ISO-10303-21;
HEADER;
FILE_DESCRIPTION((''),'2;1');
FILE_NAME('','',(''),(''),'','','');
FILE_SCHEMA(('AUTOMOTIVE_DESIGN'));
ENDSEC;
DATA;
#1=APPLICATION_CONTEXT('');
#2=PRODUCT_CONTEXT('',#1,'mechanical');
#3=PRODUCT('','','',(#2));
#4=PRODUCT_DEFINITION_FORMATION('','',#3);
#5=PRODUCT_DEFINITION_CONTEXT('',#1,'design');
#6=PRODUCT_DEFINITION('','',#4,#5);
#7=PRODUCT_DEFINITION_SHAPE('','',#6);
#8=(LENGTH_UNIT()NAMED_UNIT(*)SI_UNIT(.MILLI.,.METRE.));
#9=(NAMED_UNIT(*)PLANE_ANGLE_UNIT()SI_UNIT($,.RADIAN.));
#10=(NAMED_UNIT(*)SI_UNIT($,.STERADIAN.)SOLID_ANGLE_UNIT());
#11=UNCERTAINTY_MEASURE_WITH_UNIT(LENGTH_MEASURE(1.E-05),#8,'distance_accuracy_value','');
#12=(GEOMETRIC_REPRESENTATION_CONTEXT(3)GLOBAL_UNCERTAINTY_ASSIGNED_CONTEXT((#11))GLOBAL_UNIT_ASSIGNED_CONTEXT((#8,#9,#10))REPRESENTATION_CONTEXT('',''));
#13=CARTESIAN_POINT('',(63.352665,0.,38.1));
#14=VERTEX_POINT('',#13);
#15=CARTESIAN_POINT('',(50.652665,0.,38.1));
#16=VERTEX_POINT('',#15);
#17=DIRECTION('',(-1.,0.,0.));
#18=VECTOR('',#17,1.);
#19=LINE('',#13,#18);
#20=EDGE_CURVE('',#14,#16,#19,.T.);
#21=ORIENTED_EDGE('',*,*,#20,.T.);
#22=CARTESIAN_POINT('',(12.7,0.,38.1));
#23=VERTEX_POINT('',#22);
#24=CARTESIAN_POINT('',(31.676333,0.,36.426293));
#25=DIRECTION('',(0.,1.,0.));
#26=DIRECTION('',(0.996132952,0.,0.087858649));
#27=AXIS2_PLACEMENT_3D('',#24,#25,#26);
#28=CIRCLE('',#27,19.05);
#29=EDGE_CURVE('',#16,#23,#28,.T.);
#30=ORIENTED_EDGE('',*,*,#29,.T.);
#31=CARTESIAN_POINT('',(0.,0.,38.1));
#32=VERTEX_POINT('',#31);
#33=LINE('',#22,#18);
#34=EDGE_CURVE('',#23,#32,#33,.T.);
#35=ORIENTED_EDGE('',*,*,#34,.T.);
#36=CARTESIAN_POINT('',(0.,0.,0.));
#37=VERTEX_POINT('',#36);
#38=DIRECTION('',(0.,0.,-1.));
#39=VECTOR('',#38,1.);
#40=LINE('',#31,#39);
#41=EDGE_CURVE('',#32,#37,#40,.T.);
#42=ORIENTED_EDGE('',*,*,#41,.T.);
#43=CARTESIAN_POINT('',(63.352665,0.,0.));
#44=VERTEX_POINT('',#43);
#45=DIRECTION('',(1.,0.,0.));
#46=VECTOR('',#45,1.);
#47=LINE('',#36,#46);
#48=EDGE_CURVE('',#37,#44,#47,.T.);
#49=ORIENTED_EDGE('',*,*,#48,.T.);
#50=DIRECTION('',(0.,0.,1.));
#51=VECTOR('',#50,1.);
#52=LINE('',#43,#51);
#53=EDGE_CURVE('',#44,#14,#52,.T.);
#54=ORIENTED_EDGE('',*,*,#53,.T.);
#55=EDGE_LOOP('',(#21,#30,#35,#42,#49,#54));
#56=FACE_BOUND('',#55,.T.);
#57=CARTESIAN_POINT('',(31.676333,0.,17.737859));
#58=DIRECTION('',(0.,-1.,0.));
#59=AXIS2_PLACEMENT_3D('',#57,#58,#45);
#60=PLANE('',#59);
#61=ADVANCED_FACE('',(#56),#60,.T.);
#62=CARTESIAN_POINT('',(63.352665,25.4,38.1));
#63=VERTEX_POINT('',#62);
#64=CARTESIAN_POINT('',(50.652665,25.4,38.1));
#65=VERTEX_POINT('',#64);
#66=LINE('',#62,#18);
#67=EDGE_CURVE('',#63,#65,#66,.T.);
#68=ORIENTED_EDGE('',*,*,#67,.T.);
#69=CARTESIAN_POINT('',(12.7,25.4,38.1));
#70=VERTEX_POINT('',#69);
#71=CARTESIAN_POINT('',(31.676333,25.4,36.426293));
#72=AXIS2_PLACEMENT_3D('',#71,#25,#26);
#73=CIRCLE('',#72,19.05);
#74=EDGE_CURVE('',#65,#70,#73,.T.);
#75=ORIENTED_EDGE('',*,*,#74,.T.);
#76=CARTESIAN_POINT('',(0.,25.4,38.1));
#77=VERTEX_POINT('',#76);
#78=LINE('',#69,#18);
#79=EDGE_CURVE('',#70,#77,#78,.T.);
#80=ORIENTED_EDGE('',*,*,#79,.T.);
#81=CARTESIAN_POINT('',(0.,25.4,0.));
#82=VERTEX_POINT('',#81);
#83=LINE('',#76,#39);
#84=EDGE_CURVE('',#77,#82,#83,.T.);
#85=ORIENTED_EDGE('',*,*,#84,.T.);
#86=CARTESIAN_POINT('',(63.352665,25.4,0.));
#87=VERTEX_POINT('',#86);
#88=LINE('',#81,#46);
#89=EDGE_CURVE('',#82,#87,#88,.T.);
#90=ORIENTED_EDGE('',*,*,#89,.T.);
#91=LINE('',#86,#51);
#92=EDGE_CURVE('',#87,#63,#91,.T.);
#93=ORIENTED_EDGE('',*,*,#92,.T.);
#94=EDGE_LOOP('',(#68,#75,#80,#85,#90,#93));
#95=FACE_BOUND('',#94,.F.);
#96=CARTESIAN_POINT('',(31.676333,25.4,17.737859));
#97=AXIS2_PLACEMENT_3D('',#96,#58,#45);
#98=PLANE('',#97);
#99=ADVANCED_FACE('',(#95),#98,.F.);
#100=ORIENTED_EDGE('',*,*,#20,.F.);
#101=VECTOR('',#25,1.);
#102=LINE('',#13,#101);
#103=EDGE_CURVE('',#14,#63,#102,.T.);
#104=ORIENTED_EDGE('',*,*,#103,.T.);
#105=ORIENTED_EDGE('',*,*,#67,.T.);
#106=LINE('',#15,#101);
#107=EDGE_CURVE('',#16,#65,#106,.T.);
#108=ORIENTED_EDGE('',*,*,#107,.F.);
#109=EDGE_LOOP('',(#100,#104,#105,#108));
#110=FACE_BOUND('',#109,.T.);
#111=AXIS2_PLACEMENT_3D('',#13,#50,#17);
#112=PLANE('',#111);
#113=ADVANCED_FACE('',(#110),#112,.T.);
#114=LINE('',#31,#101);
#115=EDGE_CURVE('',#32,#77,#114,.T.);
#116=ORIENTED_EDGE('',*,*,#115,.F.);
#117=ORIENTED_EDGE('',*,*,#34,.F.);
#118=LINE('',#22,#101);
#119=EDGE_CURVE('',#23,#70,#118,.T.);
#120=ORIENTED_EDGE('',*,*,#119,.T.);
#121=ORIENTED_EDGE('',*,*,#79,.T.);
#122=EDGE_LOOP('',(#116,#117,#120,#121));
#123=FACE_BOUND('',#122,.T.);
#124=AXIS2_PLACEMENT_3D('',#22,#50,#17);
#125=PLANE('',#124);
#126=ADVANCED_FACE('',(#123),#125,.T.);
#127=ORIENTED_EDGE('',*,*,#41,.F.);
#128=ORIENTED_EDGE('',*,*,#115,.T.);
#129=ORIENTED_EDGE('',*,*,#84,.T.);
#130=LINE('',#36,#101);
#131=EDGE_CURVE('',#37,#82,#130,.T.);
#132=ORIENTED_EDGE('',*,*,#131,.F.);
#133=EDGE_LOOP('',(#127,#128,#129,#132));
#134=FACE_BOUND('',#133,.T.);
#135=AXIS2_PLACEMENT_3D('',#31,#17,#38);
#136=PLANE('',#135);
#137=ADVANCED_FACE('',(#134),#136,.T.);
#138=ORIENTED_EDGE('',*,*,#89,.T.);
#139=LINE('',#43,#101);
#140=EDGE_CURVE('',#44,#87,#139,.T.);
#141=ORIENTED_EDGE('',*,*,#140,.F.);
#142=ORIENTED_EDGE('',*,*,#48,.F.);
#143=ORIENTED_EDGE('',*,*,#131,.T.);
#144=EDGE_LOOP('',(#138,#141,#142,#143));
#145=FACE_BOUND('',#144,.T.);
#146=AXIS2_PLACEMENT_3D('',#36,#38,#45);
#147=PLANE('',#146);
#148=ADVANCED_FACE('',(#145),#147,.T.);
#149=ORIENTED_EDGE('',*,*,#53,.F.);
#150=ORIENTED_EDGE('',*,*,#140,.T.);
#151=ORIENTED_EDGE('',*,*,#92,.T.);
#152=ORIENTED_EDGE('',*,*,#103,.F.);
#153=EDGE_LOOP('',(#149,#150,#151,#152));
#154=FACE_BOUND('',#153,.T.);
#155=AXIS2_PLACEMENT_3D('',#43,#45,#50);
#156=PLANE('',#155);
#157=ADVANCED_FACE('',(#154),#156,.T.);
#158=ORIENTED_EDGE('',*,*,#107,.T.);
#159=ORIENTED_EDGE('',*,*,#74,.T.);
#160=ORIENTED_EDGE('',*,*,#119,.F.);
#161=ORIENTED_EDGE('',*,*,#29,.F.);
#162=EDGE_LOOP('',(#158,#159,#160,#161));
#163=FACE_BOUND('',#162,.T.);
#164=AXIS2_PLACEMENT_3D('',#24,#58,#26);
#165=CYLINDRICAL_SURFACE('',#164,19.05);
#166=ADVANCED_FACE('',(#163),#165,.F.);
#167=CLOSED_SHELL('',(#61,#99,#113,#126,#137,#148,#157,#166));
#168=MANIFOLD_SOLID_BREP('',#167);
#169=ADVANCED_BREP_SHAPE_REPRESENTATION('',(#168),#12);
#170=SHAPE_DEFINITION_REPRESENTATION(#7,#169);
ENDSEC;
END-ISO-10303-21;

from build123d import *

# Parameters (mm, degrees)
F1_DEPTH = 25.4


with BuildPart() as f1:
    # F0 (on Front) → F1 (new body)
    with BuildSketch(Plane.XZ):
        with BuildLine():
            Line((12.7, 38.1), (0, 38.1))
            Line((0, 38.1), (0, 0))
            Line((0, 0), (63.352665, 0))
            Line((63.352665, 0), (63.352665, 38.1))
            Line((63.352665, 38.1), (50.652665, 38.1))
            ThreePointArc((50.652665, 38.1), (31.676333, 17.376293), (12.7, 38.1))
        make_face()
    extrude(amount=-F1_DEPTH)


solid = f1.part
